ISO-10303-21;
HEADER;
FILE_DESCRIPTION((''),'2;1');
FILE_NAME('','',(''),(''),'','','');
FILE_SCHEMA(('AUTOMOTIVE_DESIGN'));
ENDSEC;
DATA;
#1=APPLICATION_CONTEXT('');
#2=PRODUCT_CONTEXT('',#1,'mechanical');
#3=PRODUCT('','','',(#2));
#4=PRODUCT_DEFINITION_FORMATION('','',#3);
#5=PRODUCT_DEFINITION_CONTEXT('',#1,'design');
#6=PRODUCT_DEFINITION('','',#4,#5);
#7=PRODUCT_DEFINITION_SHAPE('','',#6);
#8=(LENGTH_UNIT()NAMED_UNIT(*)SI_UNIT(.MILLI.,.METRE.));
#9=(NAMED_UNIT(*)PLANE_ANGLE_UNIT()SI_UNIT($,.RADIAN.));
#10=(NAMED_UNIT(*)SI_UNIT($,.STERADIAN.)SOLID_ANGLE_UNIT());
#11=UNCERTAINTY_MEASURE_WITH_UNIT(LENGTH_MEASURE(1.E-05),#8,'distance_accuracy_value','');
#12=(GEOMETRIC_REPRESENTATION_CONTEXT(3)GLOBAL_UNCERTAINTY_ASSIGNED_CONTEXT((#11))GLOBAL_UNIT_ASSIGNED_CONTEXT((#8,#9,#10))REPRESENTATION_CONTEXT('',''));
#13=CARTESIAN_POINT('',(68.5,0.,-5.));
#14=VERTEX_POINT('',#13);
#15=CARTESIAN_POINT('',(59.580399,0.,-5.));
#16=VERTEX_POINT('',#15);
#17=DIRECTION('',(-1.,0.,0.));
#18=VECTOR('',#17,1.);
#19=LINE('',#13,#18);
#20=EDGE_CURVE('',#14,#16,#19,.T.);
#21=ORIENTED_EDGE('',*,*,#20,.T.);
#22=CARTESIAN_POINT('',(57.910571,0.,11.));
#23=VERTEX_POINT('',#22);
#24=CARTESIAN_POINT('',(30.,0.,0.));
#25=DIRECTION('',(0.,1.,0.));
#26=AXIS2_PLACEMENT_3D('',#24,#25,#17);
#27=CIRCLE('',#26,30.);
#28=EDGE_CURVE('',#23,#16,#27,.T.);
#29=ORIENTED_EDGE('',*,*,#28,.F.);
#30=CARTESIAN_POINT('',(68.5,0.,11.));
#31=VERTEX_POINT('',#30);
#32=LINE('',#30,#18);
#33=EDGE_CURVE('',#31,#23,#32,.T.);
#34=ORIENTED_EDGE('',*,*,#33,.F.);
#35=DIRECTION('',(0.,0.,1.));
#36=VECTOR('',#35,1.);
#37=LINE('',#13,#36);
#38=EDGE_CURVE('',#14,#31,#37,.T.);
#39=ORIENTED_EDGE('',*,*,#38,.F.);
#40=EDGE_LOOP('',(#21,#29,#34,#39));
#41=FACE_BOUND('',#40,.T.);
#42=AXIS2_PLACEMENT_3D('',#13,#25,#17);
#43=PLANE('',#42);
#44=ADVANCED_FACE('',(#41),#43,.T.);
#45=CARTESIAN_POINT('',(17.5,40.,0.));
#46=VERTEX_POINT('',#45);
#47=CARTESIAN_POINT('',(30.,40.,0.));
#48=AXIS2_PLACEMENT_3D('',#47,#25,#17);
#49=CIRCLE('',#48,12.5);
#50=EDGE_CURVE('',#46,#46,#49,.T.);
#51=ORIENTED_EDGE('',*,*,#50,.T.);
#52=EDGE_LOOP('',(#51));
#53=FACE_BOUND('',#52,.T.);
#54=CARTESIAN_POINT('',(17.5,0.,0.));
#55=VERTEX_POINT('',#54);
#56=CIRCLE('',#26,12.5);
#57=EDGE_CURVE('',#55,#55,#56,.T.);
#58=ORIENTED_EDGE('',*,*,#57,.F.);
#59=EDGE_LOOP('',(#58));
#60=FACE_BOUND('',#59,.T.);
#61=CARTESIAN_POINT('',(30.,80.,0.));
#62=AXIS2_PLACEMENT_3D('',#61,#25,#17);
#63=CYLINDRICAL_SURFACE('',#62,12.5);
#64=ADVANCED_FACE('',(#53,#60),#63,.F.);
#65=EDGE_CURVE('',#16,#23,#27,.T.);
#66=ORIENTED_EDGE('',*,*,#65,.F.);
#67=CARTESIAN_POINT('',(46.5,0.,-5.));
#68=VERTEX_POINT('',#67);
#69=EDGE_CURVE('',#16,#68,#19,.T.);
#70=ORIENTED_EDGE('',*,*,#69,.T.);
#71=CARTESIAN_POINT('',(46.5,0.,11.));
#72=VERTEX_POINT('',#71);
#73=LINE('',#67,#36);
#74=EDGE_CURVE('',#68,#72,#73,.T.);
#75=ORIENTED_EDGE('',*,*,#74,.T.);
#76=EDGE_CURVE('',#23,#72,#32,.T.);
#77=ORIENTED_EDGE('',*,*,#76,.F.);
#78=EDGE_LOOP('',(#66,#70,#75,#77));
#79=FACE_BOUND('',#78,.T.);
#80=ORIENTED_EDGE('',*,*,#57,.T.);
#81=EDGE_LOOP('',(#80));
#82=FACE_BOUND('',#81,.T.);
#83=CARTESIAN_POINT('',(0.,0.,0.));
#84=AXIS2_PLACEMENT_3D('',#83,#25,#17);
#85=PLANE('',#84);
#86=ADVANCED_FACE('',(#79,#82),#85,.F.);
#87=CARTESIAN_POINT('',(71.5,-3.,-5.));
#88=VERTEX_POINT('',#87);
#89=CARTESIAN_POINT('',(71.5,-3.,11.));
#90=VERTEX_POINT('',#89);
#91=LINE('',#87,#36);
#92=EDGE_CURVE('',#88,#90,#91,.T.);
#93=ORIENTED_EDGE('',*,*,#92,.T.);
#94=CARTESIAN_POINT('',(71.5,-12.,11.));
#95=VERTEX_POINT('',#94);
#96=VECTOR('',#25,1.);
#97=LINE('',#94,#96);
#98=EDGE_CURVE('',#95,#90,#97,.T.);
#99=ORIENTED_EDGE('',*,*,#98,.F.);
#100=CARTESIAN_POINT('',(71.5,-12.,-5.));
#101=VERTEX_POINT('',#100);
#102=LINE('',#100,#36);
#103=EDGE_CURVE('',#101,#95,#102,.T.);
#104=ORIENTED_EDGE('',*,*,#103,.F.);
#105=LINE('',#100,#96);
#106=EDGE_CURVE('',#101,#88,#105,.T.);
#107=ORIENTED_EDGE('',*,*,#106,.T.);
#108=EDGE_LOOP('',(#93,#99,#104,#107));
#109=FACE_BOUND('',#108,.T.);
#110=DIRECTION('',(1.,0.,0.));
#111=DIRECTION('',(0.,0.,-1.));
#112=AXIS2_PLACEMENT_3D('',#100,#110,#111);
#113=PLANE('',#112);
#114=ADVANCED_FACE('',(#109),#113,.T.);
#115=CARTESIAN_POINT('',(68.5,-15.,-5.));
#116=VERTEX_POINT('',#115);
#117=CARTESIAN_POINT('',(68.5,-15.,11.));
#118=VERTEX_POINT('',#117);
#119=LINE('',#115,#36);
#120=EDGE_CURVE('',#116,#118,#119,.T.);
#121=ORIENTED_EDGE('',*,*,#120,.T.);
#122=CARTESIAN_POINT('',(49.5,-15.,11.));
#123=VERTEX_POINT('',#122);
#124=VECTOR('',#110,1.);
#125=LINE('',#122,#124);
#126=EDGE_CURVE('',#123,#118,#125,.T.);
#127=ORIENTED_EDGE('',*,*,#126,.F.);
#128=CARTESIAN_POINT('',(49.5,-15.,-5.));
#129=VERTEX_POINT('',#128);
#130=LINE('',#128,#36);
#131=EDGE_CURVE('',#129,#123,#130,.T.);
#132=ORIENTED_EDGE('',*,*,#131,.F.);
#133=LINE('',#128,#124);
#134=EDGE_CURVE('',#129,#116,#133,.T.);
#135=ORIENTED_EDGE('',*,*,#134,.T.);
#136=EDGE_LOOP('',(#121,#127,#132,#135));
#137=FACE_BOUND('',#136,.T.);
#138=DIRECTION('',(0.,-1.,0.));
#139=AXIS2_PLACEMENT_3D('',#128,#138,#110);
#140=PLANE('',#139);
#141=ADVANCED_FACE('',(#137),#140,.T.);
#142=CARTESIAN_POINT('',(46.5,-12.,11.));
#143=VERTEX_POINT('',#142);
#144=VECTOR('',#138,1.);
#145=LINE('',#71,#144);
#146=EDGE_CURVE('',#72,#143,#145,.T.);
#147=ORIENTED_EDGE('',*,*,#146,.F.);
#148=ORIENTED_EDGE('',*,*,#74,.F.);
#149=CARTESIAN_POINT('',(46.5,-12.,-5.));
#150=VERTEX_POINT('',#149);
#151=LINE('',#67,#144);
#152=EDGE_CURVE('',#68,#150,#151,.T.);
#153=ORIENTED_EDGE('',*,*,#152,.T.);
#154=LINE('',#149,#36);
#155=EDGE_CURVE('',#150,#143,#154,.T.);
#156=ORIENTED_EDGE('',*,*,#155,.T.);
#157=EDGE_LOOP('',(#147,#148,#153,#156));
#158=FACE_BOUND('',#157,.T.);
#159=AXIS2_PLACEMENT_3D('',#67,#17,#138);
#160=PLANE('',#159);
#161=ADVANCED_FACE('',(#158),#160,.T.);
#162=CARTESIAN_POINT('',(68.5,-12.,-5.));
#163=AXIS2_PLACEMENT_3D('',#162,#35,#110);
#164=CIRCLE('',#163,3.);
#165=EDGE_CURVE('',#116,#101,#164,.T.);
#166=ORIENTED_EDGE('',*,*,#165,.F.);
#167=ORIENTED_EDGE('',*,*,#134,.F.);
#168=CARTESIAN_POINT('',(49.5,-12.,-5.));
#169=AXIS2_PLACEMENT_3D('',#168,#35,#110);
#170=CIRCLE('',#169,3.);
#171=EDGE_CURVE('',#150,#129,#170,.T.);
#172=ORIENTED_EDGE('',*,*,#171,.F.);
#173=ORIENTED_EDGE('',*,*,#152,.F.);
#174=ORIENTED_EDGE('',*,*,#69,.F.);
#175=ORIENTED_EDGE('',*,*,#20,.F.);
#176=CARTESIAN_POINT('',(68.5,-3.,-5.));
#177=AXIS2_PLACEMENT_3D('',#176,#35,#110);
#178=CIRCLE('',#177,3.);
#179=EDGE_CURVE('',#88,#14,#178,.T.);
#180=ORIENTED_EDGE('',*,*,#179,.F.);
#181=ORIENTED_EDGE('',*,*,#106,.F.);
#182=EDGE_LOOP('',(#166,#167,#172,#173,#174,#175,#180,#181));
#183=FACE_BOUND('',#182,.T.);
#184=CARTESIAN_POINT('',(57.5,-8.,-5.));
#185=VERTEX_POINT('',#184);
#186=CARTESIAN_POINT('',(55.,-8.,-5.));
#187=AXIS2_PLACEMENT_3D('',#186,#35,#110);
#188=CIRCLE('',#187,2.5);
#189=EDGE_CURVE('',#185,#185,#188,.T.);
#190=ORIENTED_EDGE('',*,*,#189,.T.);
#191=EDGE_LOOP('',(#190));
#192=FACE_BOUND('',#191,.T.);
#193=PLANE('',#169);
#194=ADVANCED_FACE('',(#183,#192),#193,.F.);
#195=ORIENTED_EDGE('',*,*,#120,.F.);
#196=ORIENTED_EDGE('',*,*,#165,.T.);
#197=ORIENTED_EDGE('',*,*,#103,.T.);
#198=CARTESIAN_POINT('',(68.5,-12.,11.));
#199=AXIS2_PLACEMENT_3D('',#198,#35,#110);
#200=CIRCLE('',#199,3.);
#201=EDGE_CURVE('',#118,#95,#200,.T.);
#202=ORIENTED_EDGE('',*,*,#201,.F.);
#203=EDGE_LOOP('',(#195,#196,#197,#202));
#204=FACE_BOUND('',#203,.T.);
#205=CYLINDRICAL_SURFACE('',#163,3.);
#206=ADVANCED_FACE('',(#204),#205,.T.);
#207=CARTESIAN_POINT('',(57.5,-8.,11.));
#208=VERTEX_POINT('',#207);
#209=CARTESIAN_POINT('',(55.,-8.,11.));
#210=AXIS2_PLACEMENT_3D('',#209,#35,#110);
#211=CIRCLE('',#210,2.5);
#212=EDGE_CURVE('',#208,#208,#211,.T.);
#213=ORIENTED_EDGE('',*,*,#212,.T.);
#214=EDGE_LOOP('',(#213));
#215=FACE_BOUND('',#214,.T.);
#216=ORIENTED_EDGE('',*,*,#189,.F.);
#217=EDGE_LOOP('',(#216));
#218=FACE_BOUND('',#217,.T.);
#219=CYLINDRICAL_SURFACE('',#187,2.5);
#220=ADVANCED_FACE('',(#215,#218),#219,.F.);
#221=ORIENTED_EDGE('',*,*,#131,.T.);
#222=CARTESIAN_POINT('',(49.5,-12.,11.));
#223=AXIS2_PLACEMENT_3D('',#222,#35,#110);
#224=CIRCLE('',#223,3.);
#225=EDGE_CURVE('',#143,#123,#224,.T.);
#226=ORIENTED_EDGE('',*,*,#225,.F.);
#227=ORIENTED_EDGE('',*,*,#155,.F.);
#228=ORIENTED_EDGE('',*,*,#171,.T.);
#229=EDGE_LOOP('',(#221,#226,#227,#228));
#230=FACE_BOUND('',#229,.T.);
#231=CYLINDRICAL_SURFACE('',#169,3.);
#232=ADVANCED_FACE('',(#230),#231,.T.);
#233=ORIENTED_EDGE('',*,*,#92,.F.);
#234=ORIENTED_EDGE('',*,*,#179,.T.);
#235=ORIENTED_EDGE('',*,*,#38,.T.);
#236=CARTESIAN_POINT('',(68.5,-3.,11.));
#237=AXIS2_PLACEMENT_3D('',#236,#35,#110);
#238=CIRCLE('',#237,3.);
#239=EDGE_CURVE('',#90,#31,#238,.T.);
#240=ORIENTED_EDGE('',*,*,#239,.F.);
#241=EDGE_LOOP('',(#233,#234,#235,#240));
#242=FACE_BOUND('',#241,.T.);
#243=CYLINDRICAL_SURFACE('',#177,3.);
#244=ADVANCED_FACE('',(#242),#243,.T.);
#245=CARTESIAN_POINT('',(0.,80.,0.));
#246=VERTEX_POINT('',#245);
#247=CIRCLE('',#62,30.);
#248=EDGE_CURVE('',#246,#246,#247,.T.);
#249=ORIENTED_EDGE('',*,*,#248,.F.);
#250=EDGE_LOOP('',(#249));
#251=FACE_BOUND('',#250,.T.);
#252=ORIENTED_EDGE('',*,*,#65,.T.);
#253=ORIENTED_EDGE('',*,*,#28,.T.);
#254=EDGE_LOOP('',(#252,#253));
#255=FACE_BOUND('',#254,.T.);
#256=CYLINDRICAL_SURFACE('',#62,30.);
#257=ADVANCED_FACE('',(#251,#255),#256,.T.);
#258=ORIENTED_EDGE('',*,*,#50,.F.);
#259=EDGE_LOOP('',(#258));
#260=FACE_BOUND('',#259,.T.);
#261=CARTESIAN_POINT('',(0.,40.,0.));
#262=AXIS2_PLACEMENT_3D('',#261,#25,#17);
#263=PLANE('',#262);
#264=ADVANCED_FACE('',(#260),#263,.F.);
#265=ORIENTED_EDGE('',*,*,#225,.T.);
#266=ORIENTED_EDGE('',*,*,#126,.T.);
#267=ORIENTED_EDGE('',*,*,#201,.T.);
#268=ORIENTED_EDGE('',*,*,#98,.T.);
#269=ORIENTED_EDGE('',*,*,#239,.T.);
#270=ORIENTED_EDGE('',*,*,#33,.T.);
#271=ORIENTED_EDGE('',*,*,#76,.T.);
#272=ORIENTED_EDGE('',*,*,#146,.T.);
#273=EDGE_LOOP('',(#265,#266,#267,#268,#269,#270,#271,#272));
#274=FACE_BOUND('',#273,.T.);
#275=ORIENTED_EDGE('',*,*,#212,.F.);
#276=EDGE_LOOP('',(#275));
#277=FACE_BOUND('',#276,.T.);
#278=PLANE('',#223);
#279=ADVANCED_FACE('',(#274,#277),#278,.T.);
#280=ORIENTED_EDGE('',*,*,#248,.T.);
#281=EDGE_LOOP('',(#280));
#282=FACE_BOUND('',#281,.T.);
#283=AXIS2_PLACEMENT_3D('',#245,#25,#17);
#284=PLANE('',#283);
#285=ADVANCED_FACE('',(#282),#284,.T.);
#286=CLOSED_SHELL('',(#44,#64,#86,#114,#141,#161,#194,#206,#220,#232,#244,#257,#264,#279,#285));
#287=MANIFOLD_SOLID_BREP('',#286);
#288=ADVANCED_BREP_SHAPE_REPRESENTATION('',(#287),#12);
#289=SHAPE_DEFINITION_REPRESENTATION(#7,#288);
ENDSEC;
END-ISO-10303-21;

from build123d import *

# Parameters (mm, degrees)
BOSS_EXTRUDE5_DEPTH      = 11
BOSS_EXTRUDE5_DEPTH_BACK = 5
SKETCH2_R                = 2.5


with BuildPart() as part:
    # Sketch1 → Revolve1 (revolve)
    with BuildSketch(Plane.XY, mode=Mode.PRIVATE) as revolve1_sk:
        Polygon((60, 80), (30, 80), (30, 40), (42.5, 40), (42.5, 0), (60, 0), align=None)
    revolve(revolve1_sk.sketch.rotate(Axis((30, 80, 0), (0, -1, 0)), 180), axis=Axis((30, 80, 0), (0, -1, 0)))

    # Sketch2 → Boss-Extrude5 (add, two sides: drawn at the far end of the back side and taken through both)
    with BuildSketch(Plane.XY.offset(-BOSS_EXTRUDE5_DEPTH_BACK)):
        with BuildLine():
            Line((46.5, 0), (46.5, -12))
            ThreePointArc((46.5, -12), (47.378679656, -14.121320344), (49.5, -15))
            Line((49.5, -15), (68.5, -15))
            ThreePointArc((68.5, -15), (70.621320344, -14.121320344), (71.5, -12))
            Line((71.5, -12), (71.5, -3))
            ThreePointArc((71.5, -3), (70.621320344, -0.878679656), (68.5, 0))
            Line((68.5, 0), (46.5, 0))
        make_face()
        with Locations((55, -8)):
            Circle(SKETCH2_R, mode=Mode.SUBTRACT)
    extrude(amount=BOSS_EXTRUDE5_DEPTH + BOSS_EXTRUDE5_DEPTH_BACK)


solid = part.part
